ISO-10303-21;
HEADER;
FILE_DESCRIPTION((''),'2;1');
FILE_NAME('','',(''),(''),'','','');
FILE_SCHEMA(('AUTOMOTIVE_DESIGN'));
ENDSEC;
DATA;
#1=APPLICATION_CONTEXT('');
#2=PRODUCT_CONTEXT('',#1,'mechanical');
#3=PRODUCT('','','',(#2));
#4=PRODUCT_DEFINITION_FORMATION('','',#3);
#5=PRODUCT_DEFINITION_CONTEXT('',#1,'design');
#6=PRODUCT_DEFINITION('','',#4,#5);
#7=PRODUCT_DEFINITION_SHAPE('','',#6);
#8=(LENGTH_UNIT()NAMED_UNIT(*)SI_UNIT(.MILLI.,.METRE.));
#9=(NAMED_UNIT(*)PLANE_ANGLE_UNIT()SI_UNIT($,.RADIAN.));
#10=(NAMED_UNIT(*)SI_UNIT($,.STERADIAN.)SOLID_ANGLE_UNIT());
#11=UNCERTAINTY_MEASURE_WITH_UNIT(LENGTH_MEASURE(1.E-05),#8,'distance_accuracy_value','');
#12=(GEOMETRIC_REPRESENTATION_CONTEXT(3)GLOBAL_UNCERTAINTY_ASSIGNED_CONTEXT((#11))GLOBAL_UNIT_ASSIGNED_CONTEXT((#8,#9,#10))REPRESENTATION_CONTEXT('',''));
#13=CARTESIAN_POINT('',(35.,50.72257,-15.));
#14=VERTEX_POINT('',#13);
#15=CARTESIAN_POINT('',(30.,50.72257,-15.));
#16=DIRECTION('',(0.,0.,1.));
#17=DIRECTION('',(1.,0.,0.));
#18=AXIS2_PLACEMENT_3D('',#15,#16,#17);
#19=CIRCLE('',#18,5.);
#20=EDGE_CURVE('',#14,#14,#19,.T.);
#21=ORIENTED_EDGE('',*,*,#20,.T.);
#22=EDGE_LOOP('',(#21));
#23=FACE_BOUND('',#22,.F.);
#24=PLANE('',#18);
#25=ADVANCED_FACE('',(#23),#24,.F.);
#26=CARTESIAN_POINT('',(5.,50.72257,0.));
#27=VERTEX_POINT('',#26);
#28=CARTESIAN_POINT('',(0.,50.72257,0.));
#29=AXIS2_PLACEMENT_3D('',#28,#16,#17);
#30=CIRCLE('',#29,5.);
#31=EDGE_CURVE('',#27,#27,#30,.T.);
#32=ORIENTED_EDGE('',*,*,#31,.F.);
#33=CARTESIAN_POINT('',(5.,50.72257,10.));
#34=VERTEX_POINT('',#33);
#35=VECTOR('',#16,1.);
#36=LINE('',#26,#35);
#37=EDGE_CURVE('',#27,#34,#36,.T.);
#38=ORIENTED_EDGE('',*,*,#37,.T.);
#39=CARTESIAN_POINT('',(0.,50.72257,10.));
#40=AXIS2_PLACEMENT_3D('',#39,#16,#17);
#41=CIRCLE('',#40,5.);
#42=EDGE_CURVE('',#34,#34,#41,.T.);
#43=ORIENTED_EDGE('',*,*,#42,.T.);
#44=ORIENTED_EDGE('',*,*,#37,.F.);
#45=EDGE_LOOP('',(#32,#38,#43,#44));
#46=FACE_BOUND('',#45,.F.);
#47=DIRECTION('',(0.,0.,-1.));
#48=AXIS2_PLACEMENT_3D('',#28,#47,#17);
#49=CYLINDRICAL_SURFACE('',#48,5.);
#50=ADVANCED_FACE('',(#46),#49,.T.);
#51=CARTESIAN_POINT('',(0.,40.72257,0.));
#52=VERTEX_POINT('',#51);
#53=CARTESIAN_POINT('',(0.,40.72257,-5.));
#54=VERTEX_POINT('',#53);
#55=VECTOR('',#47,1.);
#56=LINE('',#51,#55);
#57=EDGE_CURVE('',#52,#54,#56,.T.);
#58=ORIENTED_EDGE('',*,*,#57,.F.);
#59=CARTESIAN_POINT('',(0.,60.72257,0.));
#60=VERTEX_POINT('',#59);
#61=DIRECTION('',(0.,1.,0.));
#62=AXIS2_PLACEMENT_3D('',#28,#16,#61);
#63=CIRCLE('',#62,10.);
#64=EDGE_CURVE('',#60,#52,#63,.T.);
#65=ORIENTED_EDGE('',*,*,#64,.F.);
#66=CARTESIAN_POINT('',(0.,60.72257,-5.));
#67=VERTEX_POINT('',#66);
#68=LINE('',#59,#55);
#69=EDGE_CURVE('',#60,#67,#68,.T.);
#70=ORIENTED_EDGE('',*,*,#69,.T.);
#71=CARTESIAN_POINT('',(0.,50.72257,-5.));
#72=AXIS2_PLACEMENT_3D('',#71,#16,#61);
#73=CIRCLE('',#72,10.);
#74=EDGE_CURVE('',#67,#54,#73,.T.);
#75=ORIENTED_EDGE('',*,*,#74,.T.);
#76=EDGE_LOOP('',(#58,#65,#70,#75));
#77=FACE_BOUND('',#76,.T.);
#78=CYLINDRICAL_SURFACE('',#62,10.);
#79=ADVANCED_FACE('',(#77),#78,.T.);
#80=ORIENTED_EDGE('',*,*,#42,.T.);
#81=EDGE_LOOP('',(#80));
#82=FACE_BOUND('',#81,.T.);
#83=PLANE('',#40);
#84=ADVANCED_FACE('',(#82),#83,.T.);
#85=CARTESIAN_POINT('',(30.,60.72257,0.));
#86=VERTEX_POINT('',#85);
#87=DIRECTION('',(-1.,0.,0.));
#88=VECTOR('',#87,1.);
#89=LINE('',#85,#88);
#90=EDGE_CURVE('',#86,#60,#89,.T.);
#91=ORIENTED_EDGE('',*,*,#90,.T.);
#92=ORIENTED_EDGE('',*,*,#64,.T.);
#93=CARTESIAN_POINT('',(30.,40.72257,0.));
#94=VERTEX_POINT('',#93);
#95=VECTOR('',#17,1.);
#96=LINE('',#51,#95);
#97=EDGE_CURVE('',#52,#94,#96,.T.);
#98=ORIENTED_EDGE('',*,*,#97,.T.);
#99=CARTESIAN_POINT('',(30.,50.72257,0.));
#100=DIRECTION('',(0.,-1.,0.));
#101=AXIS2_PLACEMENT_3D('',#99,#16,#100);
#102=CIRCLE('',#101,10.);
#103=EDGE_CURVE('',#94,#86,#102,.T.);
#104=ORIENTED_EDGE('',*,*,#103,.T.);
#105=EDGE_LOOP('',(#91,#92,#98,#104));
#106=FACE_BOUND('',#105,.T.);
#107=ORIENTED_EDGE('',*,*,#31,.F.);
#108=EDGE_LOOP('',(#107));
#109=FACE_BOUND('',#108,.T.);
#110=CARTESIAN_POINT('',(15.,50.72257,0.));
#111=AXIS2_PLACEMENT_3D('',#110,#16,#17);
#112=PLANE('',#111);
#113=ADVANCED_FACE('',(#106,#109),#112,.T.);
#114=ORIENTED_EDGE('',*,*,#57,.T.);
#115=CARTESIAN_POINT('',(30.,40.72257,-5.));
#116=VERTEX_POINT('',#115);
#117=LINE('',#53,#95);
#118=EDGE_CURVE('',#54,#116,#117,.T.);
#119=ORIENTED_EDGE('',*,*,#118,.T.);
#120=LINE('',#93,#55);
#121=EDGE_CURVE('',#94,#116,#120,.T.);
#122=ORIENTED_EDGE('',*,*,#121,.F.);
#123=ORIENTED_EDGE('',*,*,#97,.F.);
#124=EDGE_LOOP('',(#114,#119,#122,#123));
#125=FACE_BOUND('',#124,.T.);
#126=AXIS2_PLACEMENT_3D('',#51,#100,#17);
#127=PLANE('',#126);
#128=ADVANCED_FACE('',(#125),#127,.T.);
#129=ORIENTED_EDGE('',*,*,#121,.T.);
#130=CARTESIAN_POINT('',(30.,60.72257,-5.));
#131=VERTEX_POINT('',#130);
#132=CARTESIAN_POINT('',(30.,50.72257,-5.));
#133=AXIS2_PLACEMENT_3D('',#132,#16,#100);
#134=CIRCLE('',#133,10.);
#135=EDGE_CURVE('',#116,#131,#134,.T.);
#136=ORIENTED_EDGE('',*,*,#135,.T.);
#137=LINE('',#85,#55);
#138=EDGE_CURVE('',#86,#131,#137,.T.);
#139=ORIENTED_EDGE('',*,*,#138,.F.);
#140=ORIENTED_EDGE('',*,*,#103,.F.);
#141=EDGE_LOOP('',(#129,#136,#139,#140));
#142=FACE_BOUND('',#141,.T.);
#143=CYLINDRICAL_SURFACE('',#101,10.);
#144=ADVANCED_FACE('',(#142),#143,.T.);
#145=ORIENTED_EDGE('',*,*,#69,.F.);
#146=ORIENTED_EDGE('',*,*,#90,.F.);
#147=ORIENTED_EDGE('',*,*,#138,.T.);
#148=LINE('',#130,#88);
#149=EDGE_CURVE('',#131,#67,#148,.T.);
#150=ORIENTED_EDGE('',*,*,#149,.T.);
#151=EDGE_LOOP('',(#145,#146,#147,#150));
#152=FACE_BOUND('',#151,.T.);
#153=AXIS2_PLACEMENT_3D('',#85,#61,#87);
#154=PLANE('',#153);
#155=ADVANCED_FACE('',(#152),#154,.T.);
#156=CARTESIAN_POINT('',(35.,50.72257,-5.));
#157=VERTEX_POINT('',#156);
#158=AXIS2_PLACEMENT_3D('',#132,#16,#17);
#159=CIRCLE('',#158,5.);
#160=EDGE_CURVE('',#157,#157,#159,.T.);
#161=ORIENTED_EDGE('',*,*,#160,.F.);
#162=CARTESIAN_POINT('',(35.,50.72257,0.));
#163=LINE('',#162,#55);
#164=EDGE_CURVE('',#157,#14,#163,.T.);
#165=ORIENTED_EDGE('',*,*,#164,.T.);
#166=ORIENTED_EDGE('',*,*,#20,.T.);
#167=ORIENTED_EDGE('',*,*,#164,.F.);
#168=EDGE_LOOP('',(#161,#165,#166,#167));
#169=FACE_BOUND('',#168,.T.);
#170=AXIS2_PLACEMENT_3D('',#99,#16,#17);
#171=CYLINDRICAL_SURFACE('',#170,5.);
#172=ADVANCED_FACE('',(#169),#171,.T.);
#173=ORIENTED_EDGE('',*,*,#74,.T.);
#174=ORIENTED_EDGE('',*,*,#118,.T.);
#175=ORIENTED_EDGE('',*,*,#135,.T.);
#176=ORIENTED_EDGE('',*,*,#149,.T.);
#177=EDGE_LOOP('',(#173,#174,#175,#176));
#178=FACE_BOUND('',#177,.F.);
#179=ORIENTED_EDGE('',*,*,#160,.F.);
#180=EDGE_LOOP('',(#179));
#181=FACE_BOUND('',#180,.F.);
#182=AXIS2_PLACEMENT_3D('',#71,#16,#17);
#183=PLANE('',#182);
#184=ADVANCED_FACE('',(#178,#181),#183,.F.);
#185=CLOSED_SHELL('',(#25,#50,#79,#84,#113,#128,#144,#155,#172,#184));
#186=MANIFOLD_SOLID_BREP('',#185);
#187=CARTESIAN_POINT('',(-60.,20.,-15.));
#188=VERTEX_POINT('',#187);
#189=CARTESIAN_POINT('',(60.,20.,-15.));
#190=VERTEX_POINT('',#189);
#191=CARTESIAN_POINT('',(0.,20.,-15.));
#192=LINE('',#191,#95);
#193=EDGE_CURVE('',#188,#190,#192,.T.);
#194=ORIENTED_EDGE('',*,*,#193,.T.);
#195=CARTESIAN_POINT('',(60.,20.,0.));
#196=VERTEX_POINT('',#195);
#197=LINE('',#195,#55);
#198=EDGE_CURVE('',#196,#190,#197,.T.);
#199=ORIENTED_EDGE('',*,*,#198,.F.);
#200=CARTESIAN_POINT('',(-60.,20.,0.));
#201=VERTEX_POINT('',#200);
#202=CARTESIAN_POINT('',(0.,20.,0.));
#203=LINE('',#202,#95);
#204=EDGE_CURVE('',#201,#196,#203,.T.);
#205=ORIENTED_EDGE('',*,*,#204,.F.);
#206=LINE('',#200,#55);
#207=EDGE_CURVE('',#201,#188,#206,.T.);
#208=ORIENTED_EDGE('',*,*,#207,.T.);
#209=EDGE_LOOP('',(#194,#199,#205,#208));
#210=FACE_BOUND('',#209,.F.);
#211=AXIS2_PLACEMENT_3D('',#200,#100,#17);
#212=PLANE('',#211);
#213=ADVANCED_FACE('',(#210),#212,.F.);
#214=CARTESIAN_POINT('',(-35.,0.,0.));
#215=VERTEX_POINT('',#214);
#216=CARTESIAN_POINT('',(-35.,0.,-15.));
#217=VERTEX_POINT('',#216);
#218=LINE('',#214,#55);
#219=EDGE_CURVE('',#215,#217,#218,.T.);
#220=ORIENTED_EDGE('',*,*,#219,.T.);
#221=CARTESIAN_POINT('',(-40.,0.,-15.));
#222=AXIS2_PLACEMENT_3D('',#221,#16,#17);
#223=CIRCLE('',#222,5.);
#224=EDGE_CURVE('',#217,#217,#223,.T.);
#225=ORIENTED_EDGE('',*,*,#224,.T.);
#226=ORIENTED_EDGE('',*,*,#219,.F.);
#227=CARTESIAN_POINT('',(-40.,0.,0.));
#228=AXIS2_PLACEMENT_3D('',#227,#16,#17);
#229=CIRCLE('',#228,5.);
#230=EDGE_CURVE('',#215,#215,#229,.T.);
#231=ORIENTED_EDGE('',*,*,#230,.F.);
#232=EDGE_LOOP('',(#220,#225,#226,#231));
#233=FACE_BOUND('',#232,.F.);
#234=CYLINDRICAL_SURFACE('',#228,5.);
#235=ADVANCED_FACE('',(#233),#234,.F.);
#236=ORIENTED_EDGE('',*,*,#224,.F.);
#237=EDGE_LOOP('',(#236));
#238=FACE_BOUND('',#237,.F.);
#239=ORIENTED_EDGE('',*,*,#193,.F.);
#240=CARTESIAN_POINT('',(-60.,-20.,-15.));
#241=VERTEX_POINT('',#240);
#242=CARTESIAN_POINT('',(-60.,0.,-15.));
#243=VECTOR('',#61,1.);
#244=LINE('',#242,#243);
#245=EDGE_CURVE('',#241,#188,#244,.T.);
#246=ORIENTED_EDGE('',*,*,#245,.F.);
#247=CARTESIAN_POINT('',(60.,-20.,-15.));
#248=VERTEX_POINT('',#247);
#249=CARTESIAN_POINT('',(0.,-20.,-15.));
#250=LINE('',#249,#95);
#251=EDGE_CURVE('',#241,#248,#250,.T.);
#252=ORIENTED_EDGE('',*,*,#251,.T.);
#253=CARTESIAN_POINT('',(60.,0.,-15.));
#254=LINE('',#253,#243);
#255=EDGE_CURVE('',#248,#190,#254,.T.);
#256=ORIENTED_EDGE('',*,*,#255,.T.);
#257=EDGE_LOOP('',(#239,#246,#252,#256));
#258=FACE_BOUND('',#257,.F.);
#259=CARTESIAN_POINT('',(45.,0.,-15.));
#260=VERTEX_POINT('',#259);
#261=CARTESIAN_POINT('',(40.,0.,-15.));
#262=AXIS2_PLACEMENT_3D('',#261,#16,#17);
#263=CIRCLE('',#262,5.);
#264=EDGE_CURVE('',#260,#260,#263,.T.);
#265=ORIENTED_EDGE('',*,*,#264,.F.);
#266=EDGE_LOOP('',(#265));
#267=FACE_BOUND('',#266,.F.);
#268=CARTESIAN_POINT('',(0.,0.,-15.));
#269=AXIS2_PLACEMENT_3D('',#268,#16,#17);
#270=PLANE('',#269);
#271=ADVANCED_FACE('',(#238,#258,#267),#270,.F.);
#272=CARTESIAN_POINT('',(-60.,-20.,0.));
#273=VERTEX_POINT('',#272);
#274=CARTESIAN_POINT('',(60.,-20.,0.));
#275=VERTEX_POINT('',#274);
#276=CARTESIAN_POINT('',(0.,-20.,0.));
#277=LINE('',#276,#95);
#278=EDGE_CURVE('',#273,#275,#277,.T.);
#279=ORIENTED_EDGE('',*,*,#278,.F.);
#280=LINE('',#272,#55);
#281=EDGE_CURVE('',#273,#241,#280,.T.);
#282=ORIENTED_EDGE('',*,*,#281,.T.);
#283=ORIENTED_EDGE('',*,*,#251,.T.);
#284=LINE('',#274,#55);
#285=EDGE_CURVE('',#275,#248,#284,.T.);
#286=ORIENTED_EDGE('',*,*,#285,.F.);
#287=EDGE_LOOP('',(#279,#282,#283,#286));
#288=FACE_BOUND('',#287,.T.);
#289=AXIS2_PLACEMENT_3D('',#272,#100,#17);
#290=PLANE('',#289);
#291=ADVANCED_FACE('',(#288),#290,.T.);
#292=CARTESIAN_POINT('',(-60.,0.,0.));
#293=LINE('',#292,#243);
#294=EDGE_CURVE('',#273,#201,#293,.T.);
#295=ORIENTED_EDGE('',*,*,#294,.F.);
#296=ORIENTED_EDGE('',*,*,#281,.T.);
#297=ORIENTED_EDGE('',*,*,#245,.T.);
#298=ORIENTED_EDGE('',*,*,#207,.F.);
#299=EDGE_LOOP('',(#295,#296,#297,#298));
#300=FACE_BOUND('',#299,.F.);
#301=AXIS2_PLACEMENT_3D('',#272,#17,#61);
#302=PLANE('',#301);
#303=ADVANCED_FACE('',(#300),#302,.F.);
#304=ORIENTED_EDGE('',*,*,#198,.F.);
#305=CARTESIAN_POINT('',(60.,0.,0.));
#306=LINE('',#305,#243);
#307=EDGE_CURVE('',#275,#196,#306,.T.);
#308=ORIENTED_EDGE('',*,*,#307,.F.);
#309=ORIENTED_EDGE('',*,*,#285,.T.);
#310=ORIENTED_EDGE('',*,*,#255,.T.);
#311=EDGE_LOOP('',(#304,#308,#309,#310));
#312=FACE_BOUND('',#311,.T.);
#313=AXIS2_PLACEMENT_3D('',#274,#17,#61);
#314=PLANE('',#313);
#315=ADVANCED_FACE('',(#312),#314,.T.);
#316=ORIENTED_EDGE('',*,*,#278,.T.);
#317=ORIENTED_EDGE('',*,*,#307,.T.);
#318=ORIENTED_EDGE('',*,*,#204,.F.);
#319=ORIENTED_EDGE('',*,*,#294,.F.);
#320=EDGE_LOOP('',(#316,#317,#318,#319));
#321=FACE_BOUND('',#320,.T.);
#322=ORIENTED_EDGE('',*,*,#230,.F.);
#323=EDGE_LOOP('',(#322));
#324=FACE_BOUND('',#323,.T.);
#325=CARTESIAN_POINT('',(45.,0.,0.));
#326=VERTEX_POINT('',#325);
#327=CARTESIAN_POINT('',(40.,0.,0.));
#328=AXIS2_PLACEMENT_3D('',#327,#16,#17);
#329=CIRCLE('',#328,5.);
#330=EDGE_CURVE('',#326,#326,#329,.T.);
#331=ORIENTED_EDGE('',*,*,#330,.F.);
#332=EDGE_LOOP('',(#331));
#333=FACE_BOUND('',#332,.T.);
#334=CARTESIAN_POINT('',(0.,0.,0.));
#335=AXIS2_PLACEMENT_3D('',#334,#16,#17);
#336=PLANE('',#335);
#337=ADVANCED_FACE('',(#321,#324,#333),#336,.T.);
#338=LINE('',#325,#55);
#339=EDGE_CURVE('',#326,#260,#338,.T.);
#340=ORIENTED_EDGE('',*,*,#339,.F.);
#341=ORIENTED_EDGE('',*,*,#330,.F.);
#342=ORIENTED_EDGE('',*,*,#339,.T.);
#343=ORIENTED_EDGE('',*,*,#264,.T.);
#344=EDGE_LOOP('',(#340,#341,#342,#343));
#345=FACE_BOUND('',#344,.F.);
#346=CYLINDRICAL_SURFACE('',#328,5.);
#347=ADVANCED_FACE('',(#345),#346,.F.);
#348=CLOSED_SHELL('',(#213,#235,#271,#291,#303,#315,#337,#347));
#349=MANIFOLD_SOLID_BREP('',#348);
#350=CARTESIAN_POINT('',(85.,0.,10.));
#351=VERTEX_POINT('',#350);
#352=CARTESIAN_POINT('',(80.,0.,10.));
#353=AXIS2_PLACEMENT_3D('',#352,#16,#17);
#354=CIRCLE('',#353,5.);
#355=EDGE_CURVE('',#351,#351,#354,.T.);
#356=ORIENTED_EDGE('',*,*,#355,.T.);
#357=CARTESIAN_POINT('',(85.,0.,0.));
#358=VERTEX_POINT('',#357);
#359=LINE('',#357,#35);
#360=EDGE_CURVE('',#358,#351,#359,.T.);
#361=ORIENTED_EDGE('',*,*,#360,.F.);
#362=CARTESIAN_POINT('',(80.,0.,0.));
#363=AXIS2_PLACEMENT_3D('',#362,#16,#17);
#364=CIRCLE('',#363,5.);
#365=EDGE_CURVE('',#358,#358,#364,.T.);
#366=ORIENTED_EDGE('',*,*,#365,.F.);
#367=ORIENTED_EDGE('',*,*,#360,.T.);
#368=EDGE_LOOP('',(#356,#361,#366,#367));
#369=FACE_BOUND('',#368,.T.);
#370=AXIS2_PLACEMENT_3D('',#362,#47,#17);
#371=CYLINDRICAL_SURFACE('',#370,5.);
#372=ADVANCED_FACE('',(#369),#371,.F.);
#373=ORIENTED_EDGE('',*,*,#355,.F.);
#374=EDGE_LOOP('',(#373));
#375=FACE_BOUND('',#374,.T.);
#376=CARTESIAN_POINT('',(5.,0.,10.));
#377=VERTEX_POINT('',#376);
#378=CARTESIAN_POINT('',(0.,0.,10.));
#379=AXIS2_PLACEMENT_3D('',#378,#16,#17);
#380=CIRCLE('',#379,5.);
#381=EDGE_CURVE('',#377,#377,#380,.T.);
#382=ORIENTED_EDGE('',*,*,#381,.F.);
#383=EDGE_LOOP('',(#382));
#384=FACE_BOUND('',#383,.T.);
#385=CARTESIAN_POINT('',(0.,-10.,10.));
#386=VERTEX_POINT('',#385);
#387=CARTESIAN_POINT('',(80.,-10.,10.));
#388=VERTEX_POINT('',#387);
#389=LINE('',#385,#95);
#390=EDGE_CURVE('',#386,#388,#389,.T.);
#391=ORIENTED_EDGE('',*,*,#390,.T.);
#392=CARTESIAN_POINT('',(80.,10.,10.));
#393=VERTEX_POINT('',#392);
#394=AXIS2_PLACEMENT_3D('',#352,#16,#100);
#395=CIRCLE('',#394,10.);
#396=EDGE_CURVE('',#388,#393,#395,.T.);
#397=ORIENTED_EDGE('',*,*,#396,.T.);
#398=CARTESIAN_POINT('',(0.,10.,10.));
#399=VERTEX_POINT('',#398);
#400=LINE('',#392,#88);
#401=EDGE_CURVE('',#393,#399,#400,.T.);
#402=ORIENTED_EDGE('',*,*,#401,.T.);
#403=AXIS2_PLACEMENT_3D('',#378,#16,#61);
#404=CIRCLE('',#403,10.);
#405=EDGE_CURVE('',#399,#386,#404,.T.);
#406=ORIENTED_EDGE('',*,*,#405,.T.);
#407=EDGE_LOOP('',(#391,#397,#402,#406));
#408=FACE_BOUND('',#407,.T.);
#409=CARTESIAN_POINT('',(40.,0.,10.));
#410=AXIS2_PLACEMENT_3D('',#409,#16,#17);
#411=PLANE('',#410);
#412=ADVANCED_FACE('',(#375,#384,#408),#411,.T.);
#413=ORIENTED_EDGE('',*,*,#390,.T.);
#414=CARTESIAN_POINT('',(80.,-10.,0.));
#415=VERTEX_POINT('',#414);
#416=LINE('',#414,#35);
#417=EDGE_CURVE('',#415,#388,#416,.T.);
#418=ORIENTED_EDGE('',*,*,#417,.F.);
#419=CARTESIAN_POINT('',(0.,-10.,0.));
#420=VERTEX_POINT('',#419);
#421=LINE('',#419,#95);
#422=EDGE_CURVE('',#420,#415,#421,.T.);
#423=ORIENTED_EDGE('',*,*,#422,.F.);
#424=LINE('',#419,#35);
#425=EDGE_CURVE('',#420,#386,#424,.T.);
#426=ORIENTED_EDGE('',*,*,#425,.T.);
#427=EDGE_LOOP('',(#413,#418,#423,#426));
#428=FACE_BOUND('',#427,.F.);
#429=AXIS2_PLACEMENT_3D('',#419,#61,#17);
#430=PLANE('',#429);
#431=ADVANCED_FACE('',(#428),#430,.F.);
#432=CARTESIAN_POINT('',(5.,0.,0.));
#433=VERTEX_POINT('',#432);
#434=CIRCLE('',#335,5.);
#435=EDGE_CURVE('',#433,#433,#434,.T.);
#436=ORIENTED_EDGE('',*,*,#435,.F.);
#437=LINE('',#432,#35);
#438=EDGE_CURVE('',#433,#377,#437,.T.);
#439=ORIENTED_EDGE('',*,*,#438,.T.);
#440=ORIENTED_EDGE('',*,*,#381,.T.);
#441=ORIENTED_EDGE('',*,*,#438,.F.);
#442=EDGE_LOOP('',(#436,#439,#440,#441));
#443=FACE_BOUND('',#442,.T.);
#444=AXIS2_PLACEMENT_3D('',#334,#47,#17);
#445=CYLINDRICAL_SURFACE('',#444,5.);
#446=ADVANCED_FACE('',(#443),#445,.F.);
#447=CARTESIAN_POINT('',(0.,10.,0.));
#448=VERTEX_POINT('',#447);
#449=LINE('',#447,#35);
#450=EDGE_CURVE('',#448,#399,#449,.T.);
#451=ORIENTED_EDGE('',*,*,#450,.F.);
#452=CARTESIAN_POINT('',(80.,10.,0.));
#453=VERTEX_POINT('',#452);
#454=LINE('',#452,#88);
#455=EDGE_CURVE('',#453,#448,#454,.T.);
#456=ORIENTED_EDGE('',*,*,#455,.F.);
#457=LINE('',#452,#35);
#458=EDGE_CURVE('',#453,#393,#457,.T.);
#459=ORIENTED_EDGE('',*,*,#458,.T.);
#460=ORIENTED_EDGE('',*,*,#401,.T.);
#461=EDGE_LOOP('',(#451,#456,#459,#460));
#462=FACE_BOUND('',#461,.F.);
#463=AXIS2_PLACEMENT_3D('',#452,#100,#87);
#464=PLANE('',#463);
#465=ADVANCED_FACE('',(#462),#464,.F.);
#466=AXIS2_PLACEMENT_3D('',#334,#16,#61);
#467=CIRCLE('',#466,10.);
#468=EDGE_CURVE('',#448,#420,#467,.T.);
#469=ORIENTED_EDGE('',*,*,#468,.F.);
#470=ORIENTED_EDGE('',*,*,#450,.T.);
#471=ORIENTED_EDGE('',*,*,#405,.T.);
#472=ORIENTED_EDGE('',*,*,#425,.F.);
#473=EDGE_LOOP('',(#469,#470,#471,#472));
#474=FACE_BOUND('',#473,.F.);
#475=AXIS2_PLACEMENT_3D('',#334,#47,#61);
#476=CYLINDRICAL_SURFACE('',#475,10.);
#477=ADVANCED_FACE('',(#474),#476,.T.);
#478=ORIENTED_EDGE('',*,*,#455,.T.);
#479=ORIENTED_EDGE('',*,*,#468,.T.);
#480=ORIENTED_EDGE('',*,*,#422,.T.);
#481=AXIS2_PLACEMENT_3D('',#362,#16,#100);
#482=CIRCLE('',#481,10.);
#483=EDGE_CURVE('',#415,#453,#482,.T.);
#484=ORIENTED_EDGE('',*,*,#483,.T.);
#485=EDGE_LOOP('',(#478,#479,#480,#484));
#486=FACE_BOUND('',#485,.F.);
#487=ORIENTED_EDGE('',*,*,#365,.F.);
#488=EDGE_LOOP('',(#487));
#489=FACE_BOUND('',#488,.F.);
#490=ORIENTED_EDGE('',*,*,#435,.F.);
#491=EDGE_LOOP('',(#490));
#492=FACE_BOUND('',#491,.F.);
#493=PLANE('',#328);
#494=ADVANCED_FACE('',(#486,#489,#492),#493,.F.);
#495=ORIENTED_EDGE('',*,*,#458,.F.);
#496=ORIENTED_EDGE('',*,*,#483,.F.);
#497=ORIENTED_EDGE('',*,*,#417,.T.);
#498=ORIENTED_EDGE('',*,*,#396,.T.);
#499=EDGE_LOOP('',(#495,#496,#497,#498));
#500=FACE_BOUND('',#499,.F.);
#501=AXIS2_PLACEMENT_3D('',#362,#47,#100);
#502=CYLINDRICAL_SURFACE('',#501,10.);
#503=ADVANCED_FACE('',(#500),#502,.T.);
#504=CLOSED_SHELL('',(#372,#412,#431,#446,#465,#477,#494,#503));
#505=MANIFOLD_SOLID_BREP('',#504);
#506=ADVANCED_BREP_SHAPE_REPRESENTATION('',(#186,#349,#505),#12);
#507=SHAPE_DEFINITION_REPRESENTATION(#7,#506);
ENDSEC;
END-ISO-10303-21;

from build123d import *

# Parameters (mm, degrees)
F0_W          = 120
F0_H          = 40
F0_R          = 5
F1_DEPTH      = 15
F2_R          = 5
F3_DEPTH      = 5
F4_DEPTH      = 10
F4_DEPTH_BACK = 5
F5_DEPTH      = 15
F6_R          = 5
F7_DEPTH      = 10


with BuildPart() as f1:
    # F0 (on Top) → F1 (new body)
    with BuildSketch(Plane.XY):
        Rectangle(F0_W, F0_H)
        with Locations((-40, 0)):
            Circle(F0_R, mode=Mode.SUBTRACT)
        with Locations((40, 0)):
            Circle(F0_R, mode=Mode.SUBTRACT)
    extrude(amount=-F1_DEPTH)


with BuildPart() as f3:
    # F2 (on Top) → F3 (new body)
    with BuildSketch(Plane.XY):
        with BuildLine():
            Line((30, 60.72257), (0, 60.72257))
            ThreePointArc((0, 60.72257), (-10, 50.72257), (0, 40.72257))
            Line((0, 40.72257), (30, 40.72257))
            ThreePointArc((30, 40.72257), (40, 50.72257), (30, 60.72257))
        make_face()
        with Locations((0, 50.72257)):
            Circle(F2_R, mode=Mode.SUBTRACT)
        with Locations((30, 50.72257)):
            Circle(F2_R, mode=Mode.SUBTRACT)
    extrude(amount=-F3_DEPTH)

    # F2 (on Top) → F4 (join, two sides)
    with BuildSketch(Plane.XY) as f4_sk:
        with Locations((0, 50.72257)):
            Circle(F2_R)
    extrude(amount=F4_DEPTH)
    extrude(f4_sk.sketch, amount=-F4_DEPTH_BACK)

    # F2 (on Top) → F5 (join)
    with BuildSketch(Plane.XY):
        with Locations((30, 50.72257)):
            Circle(F2_R)
    extrude(amount=-F5_DEPTH)


with BuildPart() as f7:
    # F6 (on Top) → F7 (new body)
    with BuildSketch(Plane.XY):
        with BuildLine():
            Line((80, 10), (0, 10))
            ThreePointArc((0, 10), (-10, 0), (0, -10))
            Line((0, -10), (80, -10))
            ThreePointArc((80, -10), (90, 0), (80, 10))
        make_face()
        Circle(F6_R, mode=Mode.SUBTRACT)
        with Locations((80, 0)):
            Circle(F6_R, mode=Mode.SUBTRACT)
    extrude(amount=F7_DEPTH)


solid = Compound([f1.part, f3.part, f7.part])
